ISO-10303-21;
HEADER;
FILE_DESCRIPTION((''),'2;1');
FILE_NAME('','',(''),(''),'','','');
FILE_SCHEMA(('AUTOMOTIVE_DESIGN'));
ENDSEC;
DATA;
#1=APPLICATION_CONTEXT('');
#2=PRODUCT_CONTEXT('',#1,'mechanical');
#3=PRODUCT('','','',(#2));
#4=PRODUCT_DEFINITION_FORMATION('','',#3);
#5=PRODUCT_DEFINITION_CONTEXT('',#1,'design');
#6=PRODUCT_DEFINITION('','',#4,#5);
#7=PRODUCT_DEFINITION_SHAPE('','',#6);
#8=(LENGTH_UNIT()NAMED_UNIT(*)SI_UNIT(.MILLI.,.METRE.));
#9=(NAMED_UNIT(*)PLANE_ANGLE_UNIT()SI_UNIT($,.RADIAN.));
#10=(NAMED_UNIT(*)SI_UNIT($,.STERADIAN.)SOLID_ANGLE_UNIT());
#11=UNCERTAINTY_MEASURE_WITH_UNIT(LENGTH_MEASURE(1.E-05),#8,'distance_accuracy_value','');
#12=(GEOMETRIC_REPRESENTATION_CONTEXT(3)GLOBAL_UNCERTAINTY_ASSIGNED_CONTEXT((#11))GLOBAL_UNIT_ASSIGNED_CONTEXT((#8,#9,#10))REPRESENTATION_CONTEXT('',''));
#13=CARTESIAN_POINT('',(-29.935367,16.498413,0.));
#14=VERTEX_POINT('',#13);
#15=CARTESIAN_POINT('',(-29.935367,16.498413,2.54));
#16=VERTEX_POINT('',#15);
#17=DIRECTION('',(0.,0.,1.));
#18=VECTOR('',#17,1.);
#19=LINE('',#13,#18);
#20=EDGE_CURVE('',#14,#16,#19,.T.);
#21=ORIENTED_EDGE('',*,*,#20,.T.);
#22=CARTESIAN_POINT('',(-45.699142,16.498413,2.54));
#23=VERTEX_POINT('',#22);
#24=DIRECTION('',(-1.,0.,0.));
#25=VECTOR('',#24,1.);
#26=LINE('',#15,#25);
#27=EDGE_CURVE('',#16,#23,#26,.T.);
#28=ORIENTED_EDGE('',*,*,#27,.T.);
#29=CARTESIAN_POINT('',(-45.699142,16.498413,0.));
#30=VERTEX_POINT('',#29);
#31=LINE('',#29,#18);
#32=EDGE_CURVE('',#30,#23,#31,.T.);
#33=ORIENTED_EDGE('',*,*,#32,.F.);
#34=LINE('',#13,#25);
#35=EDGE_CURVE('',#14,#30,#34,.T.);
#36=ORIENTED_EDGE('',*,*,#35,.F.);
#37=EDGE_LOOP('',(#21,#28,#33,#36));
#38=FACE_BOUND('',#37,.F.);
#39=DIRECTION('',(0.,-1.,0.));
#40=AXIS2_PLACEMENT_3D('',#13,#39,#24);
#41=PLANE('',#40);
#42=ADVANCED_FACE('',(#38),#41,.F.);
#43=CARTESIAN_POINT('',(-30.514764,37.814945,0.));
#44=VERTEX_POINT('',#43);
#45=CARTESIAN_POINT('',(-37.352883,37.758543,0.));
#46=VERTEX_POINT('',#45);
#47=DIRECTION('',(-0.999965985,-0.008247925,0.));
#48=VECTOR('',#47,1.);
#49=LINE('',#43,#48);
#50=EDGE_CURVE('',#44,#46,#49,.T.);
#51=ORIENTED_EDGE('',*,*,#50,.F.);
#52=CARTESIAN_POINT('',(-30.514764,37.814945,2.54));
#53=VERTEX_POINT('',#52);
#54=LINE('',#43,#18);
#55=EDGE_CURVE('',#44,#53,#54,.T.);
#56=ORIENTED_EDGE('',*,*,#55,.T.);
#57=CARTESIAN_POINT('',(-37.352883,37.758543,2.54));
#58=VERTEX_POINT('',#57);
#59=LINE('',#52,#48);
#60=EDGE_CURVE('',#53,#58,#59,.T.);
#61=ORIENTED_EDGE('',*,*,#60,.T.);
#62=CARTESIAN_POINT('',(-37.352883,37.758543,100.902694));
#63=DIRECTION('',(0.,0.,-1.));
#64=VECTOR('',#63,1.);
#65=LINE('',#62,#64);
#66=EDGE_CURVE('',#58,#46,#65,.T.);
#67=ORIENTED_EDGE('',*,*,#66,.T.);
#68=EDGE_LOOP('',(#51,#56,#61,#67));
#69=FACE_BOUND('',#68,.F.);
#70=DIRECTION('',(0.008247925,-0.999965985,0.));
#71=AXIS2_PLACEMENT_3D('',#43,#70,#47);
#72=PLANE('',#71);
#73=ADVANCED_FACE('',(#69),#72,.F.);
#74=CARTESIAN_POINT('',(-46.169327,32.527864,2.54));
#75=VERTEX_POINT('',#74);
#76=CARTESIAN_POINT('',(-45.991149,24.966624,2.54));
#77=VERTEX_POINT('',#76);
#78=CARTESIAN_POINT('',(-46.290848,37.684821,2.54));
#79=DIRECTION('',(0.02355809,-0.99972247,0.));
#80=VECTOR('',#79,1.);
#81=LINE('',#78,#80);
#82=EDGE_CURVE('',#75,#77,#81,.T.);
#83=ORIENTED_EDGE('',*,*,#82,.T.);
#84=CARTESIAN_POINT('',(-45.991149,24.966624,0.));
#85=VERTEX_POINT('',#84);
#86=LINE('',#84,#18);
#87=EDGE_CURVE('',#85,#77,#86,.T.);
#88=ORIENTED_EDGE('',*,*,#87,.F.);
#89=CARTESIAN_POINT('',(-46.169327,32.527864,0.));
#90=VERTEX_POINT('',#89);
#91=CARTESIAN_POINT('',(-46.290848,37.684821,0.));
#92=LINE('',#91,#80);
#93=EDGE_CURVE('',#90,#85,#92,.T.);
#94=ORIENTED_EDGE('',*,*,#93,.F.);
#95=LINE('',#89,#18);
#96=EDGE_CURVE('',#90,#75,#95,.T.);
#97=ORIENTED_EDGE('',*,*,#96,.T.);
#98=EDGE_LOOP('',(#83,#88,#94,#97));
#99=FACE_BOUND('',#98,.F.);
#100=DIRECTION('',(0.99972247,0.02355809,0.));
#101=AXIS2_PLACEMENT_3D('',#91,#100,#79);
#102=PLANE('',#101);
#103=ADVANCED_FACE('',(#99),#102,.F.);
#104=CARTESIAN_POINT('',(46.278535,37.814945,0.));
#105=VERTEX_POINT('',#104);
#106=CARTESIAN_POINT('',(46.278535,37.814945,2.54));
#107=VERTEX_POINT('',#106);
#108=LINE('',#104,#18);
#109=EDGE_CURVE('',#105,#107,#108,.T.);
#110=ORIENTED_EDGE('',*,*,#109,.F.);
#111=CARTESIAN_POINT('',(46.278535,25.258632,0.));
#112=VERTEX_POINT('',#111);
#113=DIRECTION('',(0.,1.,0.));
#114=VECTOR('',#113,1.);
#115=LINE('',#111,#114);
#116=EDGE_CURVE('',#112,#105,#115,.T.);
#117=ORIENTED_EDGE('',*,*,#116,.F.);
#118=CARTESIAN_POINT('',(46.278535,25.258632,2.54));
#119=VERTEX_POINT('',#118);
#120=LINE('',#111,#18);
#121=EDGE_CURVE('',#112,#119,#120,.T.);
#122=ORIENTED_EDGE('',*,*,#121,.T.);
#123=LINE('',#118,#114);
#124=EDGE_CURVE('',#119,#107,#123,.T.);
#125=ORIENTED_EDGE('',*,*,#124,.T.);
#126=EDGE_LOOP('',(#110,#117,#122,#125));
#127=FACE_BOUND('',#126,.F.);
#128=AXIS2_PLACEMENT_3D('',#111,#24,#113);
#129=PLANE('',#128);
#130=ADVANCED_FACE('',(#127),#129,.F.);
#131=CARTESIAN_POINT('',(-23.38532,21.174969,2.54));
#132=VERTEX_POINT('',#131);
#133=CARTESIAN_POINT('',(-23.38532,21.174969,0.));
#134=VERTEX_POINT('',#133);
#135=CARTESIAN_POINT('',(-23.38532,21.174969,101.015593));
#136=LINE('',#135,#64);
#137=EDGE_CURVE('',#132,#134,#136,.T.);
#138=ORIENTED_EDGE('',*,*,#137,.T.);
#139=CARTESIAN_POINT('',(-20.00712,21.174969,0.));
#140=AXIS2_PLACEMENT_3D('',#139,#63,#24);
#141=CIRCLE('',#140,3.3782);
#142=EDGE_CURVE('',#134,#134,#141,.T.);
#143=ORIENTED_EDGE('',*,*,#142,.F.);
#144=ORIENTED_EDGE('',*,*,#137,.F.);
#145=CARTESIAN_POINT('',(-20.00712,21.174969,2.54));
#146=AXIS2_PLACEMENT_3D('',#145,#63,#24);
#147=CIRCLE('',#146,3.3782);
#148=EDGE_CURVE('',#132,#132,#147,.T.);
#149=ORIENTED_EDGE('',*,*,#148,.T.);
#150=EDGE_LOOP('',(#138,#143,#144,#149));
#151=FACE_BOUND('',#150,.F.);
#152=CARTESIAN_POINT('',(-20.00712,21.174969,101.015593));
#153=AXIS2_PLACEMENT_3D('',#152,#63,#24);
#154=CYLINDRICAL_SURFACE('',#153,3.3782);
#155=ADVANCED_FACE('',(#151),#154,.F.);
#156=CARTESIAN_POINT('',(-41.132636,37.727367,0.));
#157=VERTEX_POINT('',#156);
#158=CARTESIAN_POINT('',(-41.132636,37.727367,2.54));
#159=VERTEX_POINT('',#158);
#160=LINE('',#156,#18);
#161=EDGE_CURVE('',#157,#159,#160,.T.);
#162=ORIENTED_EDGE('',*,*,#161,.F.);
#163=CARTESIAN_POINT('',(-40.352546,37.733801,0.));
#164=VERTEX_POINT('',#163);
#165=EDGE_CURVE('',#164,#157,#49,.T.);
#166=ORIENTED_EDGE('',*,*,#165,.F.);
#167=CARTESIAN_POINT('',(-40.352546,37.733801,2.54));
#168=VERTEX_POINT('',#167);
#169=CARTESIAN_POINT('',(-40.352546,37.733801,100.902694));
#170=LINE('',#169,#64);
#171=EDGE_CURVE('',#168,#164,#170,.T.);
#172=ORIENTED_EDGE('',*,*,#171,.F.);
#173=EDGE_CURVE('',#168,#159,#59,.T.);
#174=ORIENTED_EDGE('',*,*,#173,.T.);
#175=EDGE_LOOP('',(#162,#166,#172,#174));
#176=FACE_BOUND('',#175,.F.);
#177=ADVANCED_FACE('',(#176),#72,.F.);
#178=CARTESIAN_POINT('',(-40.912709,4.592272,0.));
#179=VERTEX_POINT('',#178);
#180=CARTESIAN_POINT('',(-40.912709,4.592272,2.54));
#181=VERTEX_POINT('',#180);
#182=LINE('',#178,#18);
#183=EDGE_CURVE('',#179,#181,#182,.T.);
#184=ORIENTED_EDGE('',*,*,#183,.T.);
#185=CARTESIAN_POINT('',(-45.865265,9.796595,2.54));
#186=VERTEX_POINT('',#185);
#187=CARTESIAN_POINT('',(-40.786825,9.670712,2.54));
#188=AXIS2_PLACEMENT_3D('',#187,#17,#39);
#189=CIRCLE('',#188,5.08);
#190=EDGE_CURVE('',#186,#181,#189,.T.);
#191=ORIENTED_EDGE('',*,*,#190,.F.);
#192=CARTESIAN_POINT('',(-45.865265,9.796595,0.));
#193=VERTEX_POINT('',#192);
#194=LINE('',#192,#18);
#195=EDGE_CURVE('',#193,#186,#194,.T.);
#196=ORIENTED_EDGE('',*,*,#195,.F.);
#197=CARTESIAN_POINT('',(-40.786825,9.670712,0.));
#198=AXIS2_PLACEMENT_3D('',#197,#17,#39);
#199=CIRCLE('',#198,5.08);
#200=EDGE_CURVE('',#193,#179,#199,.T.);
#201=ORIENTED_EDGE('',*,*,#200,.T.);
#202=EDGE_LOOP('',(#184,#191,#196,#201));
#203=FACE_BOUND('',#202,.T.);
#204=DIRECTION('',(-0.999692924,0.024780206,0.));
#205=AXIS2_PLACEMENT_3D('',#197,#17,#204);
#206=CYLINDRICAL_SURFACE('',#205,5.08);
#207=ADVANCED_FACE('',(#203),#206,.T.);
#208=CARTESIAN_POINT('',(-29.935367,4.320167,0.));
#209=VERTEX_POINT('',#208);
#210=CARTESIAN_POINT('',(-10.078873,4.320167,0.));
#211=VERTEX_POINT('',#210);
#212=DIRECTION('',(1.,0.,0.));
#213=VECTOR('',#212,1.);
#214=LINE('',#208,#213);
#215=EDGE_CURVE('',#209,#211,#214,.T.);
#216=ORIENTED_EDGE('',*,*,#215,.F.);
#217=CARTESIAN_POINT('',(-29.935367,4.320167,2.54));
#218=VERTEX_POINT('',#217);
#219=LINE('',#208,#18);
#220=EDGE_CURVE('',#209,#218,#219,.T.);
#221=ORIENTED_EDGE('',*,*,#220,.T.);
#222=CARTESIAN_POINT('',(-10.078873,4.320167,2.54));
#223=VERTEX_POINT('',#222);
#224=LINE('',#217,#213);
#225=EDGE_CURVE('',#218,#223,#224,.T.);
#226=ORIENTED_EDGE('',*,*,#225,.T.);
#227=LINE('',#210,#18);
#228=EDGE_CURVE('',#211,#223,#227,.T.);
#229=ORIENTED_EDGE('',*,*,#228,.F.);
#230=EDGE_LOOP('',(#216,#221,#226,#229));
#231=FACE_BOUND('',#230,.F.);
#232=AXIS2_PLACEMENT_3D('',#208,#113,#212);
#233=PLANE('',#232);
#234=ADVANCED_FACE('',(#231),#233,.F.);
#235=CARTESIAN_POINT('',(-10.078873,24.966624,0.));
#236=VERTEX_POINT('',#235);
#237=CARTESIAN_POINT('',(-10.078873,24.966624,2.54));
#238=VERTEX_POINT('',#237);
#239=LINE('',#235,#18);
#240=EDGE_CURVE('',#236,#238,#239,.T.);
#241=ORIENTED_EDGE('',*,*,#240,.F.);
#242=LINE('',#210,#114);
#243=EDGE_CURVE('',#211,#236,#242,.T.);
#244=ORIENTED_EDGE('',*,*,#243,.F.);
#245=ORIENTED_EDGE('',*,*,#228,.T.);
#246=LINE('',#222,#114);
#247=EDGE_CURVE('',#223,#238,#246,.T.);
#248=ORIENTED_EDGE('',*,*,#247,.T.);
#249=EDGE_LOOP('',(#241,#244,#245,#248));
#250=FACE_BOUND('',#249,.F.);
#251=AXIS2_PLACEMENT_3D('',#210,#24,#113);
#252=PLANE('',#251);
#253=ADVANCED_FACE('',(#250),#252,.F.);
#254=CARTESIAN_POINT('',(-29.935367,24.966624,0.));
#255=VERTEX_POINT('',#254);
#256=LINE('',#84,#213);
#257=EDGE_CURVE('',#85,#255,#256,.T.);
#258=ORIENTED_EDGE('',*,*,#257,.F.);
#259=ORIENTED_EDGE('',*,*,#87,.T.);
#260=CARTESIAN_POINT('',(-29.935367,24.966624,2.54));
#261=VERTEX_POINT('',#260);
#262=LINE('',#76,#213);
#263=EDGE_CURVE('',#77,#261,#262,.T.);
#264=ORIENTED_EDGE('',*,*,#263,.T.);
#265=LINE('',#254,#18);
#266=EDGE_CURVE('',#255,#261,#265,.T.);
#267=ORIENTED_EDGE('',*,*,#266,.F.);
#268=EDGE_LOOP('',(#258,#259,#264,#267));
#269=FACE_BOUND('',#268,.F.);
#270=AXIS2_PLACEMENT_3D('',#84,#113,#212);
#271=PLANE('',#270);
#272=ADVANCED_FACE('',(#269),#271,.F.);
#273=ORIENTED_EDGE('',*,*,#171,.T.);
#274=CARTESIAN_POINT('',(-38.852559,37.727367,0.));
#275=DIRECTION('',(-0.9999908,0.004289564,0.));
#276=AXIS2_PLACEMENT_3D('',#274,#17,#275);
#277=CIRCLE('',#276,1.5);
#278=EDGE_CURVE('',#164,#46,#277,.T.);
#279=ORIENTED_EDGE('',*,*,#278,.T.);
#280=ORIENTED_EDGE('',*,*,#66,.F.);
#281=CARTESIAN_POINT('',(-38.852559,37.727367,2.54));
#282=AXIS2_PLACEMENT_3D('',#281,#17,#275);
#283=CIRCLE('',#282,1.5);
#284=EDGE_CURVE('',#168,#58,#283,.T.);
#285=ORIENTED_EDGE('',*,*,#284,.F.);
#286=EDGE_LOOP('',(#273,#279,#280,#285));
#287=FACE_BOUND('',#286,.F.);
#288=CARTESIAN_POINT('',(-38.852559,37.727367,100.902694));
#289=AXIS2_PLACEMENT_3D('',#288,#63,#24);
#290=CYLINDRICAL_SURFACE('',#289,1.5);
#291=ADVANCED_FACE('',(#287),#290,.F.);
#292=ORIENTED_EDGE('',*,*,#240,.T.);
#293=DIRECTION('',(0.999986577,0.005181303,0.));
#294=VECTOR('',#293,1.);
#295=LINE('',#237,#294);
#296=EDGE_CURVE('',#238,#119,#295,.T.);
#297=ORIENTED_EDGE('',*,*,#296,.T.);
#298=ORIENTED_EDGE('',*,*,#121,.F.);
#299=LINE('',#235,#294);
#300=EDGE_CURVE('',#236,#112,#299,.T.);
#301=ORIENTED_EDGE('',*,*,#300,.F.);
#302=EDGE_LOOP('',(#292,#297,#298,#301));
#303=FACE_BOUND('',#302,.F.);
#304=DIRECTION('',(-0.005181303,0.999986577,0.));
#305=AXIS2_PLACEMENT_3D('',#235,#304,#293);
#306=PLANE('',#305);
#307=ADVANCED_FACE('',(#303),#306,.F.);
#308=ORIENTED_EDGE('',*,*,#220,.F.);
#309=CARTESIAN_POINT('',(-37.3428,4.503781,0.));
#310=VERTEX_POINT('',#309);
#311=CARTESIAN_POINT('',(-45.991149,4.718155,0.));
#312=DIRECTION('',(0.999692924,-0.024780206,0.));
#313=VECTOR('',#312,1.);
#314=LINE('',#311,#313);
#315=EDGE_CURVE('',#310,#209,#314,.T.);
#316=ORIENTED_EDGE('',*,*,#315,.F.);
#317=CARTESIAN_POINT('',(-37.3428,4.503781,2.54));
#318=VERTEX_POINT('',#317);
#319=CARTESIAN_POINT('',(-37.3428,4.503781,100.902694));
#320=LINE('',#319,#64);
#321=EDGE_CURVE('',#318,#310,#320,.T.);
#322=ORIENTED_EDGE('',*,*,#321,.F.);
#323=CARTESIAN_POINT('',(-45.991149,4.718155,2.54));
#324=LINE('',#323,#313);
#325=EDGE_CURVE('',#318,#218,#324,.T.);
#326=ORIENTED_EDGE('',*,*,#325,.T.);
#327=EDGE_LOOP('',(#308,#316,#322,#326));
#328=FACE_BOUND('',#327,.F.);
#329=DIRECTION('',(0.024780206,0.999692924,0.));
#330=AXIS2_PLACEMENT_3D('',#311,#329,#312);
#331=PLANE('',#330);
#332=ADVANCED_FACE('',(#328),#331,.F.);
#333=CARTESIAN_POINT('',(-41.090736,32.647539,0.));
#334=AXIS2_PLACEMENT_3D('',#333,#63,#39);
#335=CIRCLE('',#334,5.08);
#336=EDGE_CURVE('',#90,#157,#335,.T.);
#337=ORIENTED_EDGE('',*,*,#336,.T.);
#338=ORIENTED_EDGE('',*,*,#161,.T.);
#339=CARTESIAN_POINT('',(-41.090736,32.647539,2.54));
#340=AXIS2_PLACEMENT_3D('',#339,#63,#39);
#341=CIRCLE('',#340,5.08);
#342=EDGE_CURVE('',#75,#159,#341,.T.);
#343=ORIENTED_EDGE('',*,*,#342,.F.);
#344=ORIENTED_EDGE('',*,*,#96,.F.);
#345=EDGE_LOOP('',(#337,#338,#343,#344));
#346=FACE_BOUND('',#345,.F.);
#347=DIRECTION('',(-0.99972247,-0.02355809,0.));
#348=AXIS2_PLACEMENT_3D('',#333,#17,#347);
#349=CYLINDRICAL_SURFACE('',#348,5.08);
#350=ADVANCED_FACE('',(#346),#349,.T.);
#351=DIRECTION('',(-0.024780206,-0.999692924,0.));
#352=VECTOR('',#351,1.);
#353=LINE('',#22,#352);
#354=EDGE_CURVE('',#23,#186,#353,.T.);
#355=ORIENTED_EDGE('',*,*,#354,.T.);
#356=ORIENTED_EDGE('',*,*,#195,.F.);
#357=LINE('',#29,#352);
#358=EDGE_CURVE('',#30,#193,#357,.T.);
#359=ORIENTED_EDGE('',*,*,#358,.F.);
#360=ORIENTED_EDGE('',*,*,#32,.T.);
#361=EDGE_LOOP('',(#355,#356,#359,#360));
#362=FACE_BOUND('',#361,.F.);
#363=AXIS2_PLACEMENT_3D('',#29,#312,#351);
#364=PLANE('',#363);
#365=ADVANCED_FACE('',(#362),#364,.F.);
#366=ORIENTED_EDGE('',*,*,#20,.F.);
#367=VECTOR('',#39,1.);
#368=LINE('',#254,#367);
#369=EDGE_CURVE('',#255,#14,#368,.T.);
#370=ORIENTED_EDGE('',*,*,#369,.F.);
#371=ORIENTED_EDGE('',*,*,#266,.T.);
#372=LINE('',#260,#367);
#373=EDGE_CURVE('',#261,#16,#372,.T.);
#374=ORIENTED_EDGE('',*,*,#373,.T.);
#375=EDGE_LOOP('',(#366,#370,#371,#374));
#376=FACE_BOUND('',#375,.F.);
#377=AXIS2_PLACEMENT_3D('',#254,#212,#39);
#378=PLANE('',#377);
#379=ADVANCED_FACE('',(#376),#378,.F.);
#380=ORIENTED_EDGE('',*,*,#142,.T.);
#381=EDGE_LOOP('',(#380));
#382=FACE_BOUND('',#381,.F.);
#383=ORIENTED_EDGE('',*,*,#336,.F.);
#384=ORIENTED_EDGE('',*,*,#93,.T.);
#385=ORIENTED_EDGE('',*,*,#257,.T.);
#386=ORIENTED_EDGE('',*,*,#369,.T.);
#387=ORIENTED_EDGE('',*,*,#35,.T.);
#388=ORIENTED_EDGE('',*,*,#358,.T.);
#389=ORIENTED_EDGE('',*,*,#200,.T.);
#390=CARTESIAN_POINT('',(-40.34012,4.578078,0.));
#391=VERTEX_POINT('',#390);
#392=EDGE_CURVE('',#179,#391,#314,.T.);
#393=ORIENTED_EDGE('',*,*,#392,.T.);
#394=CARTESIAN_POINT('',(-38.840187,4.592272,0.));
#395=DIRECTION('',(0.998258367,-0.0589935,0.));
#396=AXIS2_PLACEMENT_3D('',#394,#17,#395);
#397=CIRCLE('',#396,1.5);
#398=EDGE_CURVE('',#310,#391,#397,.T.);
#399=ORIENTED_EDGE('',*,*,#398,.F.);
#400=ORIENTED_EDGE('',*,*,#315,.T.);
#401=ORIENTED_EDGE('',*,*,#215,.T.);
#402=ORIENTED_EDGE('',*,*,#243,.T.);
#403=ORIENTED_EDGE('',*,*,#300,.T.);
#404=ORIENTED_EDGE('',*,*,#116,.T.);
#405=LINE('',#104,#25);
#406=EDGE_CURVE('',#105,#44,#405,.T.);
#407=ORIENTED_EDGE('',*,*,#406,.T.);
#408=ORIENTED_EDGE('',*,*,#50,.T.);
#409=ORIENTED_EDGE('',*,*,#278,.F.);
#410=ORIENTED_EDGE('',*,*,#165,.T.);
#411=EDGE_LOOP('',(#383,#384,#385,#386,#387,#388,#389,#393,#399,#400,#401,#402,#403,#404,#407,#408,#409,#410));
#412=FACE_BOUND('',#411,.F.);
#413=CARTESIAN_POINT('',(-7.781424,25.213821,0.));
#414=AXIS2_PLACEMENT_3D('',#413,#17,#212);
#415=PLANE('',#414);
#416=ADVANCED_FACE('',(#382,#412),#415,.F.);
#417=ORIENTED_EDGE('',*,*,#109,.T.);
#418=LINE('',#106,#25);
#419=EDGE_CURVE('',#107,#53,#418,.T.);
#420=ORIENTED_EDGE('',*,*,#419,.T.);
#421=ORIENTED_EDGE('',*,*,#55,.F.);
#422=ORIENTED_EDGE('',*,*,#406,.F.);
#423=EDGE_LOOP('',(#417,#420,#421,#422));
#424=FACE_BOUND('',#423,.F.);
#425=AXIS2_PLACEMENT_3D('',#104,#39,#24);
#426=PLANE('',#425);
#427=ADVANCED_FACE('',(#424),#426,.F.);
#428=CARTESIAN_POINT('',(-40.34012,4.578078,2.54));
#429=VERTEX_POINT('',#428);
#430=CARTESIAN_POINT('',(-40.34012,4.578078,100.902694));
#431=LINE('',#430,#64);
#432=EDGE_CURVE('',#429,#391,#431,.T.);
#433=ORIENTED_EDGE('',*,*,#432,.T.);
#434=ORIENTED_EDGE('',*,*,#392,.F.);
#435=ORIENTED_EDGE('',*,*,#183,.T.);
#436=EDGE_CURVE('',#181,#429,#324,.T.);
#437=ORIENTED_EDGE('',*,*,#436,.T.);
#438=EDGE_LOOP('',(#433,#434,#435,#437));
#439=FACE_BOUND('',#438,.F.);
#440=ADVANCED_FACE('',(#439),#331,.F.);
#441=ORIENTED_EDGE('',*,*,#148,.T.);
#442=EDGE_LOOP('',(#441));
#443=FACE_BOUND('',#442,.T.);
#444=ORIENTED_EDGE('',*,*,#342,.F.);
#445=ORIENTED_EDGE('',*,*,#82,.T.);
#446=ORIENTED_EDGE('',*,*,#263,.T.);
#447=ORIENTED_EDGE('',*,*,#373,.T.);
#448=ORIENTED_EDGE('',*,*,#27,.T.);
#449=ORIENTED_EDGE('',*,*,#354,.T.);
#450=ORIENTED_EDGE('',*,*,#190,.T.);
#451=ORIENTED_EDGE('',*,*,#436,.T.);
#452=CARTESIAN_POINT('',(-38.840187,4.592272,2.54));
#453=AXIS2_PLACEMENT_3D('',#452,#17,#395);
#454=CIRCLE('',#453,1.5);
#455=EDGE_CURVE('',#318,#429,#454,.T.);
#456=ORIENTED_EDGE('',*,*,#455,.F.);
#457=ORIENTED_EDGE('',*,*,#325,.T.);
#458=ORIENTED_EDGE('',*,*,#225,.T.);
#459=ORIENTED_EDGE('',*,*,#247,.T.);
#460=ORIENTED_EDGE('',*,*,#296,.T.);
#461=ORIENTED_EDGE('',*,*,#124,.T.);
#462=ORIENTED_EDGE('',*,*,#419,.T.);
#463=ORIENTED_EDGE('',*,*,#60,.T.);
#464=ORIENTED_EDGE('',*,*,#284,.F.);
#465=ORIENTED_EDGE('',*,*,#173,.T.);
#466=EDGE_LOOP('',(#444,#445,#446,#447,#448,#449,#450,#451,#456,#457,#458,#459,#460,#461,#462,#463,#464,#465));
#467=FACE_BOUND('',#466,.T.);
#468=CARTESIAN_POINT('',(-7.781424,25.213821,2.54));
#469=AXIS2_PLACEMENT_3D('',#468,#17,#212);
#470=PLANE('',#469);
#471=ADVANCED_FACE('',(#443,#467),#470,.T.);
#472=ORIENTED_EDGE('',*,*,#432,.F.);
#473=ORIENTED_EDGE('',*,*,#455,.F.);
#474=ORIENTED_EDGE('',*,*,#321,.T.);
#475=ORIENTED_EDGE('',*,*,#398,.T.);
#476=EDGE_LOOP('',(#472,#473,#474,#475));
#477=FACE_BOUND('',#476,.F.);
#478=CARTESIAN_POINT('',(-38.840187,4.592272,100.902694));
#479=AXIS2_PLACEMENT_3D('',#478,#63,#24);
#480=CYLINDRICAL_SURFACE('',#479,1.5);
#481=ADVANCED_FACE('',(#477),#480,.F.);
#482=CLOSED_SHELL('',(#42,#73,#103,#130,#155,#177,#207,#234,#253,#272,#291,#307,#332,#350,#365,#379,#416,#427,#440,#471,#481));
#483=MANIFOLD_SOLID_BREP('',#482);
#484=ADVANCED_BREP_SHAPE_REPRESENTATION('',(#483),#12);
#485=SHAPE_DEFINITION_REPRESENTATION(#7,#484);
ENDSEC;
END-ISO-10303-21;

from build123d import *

# Parameters (mm, degrees)
F1_DEPTH = 2.54
F3_D     = 6.7564
F4_R     = 5.08
F5_R     = 5.08
F7_D     = 3
F9_D     = 3


with BuildPart() as f1:
    # F0 (on Top) → F1 (new body)
    with BuildSketch(Plane.XY):
        Polygon((-46.2908484042, 37.6848205924), (-45.9911487997, 24.9666236341), (-29.9353669436, 24.9666236341), (-29.9353669436, 16.4984129369), (-45.6991419196, 16.4984129369), (-45.9911487997, 4.7181551345), (-29.9353669436, 4.3201673446), (-10.0788730235, 4.3201673446), (-10.0788730235, 24.9666236341), (46.2785349189, 25.2586323768), (46.2785349189, 37.8149449825), (-30.5147636682, 37.8149449825), align=None)
    extrude(amount=F1_DEPTH)

    # F3 (through all)
    with Locations(Plane.XY.offset(2.54)):
        with Locations((-20.0071199835, 21.1749691516)):
            Hole(F3_D / 2)

    # F4
    f4_edges = [f1.edges().sort_by_distance(p)[0] for p in [
        (-45.991149, 4.718155, 1.27),
    ]]
    fillet(f4_edges, radius=F4_R)

    # F5
    f5_edges = [f1.edges().sort_by_distance(p)[0] for p in [
        (-46.290848, 37.684821, 1.27),
    ]]
    fillet(f5_edges, radius=F5_R)

    # F7 (through all)
    with Locations(Plane.XY.offset(2.54)):
        with Locations((-38.8525593063, 37.7273665891)):
            Hole(F7_D / 2)

    # F9 (through all)
    with Locations(Plane.XY.offset(2.54)):
        with Locations((-38.8401874188, 4.5922716895)):
            Hole(F9_D / 2)


solid = f1.part
